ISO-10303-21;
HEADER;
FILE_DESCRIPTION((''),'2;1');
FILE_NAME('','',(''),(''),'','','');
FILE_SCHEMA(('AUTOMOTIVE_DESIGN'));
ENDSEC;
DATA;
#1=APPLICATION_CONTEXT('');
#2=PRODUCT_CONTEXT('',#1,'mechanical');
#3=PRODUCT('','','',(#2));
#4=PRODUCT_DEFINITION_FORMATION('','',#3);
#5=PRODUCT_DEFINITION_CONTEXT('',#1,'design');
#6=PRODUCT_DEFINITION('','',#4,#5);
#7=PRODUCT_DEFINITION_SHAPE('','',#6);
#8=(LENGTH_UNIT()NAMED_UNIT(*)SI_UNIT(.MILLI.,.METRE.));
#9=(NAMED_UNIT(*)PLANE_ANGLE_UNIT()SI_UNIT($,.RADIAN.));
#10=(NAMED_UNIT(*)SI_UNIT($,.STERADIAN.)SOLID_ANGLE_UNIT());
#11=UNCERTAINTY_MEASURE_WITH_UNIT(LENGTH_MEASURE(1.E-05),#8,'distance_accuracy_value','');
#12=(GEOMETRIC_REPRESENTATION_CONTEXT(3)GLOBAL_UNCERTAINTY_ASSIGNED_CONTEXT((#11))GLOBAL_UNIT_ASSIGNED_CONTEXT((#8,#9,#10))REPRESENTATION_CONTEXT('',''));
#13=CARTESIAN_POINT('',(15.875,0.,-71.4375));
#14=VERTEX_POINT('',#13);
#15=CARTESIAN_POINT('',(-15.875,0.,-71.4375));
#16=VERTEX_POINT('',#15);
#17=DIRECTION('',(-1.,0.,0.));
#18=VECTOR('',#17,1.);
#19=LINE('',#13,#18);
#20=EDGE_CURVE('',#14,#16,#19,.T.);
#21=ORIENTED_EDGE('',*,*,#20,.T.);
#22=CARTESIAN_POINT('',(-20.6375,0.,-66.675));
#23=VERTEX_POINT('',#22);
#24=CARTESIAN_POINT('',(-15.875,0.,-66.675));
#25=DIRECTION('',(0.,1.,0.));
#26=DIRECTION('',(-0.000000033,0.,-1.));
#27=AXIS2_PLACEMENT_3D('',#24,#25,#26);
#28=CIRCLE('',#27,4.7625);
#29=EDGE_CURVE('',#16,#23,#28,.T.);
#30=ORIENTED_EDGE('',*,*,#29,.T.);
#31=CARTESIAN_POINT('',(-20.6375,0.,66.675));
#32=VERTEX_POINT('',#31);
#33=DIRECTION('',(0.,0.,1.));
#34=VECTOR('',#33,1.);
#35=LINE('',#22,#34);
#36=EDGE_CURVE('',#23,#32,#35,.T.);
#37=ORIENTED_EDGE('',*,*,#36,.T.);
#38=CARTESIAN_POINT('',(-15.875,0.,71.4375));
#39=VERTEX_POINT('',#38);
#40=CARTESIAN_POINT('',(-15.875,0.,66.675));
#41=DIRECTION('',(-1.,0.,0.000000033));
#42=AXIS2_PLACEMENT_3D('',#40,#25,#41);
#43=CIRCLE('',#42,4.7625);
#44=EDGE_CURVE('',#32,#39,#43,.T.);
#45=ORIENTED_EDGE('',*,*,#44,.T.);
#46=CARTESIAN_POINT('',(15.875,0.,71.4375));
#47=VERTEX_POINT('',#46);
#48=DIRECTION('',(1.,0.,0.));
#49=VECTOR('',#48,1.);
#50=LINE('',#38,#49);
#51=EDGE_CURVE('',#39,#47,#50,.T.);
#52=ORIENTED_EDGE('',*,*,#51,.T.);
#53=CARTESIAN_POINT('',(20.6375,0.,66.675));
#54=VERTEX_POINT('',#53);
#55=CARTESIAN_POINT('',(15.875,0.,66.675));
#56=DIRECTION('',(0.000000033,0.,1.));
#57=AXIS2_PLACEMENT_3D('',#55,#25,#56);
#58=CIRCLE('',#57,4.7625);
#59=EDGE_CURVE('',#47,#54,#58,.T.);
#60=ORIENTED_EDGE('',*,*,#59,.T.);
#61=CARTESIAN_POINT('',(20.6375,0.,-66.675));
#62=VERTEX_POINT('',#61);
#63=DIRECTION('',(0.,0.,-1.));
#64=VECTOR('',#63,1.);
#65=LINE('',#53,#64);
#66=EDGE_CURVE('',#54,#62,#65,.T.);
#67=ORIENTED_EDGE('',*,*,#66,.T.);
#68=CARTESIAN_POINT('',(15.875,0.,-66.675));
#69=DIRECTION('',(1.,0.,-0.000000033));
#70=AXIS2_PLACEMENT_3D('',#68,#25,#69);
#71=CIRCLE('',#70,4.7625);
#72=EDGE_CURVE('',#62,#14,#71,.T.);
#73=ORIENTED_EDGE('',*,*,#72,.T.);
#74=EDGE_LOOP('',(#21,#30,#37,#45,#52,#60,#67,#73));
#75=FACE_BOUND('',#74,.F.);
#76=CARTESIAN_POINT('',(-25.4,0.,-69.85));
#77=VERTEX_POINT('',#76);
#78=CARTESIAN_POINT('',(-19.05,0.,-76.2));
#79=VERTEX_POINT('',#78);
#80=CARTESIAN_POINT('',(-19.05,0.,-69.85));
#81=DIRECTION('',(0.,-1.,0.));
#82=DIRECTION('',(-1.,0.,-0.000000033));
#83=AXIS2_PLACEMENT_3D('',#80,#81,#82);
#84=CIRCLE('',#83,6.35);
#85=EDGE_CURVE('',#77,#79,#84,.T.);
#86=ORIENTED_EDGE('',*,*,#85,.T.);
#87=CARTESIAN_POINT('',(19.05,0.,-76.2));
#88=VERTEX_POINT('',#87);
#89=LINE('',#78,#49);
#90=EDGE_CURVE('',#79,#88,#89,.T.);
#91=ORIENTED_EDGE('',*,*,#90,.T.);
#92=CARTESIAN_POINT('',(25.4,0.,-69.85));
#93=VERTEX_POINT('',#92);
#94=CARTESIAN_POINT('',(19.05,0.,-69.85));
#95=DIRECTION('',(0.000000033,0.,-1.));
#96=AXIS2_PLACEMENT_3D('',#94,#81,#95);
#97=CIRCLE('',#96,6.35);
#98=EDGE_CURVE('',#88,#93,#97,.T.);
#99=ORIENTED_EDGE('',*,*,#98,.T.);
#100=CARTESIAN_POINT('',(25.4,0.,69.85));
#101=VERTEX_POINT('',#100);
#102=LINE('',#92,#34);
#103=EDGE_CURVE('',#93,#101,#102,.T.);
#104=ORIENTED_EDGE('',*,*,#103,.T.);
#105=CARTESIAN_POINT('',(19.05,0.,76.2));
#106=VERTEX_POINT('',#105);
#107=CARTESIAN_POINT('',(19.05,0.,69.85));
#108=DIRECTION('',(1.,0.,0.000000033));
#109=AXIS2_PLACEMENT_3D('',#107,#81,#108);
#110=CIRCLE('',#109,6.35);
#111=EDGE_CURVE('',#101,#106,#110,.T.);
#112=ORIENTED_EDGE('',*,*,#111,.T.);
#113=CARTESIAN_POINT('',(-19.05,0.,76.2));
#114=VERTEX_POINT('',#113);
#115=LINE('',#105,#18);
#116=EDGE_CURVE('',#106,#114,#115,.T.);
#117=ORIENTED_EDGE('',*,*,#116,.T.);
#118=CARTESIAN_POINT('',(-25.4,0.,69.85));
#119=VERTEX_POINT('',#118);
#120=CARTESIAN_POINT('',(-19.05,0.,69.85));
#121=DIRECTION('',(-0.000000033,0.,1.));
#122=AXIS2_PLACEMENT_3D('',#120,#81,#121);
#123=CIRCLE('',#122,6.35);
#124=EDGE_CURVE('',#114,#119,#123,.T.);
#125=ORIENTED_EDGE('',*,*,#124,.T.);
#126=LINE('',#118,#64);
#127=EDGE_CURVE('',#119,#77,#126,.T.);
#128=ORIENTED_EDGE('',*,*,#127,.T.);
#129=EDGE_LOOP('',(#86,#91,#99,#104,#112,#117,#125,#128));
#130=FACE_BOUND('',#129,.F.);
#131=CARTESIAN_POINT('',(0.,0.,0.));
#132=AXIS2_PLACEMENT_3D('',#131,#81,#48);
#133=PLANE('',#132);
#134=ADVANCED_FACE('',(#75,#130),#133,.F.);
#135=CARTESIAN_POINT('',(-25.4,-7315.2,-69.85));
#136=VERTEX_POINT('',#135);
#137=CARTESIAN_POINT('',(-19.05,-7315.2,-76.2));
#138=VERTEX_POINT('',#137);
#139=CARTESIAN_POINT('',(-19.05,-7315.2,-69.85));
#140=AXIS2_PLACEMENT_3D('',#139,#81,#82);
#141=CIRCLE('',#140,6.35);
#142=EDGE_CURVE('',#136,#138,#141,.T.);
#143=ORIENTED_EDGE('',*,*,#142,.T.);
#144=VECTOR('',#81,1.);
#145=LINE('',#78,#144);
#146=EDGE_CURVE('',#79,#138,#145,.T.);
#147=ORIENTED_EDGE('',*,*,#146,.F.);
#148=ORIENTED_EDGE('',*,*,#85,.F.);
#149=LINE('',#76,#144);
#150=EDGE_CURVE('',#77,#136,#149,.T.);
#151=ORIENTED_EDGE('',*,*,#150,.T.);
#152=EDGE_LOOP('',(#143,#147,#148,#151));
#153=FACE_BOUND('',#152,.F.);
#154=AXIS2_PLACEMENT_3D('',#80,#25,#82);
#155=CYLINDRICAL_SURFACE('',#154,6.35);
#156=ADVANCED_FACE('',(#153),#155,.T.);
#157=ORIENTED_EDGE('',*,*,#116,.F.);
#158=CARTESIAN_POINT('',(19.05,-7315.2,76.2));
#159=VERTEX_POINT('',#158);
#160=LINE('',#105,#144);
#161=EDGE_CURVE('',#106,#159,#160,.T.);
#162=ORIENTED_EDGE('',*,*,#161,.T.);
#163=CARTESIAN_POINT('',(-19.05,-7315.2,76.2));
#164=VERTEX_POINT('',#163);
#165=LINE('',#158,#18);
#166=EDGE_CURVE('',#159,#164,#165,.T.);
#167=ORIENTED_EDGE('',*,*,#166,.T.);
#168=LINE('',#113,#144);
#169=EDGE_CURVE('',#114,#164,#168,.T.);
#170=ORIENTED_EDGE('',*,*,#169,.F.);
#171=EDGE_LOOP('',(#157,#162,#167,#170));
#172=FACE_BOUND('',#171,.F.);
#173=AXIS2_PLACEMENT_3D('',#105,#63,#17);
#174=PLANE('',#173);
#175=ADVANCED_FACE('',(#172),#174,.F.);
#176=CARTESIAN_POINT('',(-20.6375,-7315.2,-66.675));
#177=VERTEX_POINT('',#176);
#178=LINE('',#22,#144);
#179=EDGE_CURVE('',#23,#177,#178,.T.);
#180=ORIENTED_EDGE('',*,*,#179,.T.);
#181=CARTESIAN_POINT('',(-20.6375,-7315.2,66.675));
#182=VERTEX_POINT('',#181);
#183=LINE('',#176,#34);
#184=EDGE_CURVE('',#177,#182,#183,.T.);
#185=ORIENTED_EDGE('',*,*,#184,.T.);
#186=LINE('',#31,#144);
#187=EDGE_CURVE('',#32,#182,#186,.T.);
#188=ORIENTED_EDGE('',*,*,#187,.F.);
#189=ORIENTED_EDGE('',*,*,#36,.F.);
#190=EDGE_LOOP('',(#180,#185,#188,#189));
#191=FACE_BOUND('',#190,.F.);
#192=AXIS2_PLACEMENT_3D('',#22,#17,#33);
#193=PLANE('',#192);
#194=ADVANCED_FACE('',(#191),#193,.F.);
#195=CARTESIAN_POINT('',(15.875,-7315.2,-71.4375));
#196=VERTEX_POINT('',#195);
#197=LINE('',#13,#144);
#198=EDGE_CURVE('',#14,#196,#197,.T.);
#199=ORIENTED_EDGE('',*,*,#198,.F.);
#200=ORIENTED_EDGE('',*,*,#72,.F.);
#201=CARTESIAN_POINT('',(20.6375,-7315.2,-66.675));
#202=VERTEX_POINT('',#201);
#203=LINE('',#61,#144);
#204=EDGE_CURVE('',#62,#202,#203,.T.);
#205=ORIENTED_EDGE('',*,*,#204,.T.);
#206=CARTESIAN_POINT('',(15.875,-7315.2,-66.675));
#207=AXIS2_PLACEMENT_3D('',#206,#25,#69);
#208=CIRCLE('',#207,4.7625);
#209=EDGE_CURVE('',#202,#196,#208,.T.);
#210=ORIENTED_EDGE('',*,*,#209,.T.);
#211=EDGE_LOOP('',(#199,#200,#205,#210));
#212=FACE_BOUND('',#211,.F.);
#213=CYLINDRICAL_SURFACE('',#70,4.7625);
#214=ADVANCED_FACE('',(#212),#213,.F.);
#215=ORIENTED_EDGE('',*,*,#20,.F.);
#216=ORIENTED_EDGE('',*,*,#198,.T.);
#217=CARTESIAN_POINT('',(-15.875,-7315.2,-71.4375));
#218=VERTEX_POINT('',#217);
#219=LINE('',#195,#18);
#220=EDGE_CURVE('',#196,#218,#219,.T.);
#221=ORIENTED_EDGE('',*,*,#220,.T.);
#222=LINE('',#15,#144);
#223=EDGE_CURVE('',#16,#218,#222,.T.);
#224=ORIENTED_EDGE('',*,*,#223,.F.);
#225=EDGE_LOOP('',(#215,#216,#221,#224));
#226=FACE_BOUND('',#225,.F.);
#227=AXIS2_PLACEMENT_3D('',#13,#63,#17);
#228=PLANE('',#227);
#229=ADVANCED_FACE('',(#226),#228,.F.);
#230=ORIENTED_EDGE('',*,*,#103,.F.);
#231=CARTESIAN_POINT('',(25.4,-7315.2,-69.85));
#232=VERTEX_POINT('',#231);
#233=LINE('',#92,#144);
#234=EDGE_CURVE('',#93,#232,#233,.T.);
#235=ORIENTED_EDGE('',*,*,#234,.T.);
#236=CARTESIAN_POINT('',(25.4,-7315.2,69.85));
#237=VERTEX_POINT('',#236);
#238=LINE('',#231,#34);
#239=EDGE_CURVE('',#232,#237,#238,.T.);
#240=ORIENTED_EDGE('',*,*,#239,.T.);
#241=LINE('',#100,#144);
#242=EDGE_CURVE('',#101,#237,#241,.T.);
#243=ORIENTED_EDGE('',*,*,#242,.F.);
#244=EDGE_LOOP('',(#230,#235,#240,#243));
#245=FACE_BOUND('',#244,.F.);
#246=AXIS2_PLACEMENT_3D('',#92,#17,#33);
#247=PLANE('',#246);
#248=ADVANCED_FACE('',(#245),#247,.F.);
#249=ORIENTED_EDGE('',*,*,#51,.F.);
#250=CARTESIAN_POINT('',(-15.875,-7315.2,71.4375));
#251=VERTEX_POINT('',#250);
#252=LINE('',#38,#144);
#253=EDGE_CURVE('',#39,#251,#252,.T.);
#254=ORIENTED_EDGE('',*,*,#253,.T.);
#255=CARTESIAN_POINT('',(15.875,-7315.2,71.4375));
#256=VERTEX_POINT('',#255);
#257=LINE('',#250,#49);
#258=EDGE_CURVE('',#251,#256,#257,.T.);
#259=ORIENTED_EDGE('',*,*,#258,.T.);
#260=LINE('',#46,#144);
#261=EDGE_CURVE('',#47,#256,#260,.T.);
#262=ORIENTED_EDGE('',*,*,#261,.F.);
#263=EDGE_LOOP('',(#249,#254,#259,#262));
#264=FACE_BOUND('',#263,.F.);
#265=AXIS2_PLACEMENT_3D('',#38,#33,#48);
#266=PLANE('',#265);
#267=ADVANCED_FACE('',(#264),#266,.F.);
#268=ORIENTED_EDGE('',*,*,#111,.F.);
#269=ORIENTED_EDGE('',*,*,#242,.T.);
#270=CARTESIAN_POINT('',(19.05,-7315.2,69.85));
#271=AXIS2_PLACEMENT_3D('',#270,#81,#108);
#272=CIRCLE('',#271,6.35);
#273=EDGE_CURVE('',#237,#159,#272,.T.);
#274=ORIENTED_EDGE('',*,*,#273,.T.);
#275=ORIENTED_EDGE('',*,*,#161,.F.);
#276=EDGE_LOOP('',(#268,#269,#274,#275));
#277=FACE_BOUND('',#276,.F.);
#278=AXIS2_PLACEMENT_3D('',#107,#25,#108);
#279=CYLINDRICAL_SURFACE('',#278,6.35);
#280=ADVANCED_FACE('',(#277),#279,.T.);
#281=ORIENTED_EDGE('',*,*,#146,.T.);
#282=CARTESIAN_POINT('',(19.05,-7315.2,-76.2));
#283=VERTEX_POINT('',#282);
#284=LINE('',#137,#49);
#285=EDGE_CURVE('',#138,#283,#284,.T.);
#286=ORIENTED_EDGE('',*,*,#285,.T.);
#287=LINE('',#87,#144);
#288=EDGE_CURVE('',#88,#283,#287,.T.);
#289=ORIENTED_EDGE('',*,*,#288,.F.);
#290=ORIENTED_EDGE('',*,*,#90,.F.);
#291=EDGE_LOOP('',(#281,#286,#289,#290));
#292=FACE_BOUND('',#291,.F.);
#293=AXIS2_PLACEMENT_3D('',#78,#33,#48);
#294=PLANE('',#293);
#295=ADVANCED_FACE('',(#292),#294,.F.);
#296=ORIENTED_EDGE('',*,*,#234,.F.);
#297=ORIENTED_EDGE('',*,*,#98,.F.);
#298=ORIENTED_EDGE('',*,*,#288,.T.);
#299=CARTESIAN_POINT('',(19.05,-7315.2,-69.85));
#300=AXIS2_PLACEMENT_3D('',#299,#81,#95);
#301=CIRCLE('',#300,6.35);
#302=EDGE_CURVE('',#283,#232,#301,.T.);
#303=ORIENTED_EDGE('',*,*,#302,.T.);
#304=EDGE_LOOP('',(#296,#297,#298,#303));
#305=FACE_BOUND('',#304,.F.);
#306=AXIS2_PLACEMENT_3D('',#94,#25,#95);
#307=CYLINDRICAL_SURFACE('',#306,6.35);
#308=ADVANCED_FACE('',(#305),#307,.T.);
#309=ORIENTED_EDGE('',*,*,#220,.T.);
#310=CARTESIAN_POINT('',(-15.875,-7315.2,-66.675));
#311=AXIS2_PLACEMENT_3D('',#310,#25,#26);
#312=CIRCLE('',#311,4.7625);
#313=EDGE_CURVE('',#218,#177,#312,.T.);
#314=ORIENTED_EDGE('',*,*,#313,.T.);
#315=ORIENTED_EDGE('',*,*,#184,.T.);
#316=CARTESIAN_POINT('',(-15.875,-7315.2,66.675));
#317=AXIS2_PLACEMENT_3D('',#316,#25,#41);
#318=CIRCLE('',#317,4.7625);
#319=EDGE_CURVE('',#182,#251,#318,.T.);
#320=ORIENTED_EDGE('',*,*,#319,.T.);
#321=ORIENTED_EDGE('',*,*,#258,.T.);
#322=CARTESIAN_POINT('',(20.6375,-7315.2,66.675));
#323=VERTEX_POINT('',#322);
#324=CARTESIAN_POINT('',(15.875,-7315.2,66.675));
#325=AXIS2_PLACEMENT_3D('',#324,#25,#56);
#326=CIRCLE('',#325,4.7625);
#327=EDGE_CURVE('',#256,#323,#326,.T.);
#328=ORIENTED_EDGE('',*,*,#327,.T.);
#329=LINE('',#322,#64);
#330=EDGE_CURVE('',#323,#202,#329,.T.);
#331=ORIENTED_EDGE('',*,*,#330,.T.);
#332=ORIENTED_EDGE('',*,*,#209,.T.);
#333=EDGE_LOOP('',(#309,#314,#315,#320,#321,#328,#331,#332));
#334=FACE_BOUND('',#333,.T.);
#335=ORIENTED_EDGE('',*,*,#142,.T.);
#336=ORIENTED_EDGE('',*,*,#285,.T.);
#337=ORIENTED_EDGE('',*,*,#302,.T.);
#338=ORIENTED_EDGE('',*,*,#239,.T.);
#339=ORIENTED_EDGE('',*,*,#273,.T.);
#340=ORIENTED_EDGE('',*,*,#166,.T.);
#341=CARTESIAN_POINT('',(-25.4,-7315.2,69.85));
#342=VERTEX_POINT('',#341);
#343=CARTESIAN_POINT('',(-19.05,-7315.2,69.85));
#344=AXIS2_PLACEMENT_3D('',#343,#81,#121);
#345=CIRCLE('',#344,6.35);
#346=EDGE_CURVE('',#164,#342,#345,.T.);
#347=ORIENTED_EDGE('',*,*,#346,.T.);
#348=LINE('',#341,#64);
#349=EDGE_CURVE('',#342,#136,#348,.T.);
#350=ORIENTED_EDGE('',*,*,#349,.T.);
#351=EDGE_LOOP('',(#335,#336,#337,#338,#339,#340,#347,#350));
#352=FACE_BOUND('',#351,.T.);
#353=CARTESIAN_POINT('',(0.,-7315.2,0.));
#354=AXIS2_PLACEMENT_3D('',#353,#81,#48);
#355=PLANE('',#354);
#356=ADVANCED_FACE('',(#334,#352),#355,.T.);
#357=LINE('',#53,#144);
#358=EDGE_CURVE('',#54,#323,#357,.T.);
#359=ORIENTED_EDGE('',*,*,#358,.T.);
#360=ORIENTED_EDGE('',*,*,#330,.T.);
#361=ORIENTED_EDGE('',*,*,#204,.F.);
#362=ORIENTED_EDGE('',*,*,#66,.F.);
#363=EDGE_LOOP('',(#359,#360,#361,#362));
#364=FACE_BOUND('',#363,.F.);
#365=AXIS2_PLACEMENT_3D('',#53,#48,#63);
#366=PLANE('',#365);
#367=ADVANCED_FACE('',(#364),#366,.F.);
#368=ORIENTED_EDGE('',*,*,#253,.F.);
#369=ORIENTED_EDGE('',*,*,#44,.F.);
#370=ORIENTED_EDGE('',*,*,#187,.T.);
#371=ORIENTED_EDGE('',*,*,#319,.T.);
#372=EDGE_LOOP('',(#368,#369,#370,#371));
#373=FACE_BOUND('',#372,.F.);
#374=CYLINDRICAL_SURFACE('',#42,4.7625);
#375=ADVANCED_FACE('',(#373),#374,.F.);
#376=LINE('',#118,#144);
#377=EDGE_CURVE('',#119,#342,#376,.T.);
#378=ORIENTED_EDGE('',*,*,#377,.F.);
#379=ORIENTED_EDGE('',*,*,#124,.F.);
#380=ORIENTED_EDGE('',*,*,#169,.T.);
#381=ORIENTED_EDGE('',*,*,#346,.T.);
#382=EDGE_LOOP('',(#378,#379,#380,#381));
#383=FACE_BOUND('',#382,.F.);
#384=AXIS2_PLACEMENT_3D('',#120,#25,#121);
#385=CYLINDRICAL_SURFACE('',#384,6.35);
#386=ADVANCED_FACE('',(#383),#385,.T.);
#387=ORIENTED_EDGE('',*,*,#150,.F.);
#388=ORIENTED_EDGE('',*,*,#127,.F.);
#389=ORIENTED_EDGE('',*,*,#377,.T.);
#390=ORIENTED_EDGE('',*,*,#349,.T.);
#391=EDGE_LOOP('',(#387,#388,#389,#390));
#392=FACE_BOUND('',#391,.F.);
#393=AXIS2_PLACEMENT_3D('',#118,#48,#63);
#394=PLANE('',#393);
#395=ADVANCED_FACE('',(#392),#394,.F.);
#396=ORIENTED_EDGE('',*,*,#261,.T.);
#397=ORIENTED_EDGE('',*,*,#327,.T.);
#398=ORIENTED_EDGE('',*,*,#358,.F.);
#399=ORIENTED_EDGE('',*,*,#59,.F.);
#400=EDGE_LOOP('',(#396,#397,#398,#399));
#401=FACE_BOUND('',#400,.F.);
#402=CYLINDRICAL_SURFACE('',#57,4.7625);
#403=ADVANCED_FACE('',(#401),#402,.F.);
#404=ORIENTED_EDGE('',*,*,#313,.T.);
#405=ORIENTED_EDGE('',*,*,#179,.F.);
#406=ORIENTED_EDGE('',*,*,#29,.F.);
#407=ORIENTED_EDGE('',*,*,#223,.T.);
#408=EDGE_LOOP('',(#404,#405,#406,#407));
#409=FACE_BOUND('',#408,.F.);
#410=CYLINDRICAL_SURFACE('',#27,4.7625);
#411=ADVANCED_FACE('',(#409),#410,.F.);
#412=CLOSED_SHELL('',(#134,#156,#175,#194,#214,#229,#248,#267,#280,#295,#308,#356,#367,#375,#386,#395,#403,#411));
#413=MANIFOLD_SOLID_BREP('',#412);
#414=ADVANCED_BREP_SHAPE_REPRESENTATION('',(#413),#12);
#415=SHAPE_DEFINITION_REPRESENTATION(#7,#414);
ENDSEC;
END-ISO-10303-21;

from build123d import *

# Parameters (mm, degrees)
F1_DEPTH = 7315.2


with BuildPart() as f1:
    # F0 (on Front) → F1 (new body)
    with BuildSketch(Plane.XZ):
        with BuildLine():
            ThreePointArc((25.4, 69.85), (23.540128, 74.340128), (19.05, 76.2))
            Line((19.05, 76.2), (-19.05, 76.2))
            ThreePointArc((-19.05, 76.2), (-23.540128, 74.340128), (-25.4, 69.85))
            Line((-25.4, 69.85), (-25.4, -69.85))
            ThreePointArc((-25.4, -69.85), (-23.540128, -74.340128), (-19.05, -76.2))
            Line((-19.05, -76.2), (19.05, -76.2))
            ThreePointArc((19.05, -76.2), (23.540128, -74.340128), (25.4, -69.85))
            Line((25.4, -69.85), (25.4, 69.85))
        make_face()
        with BuildLine():
            Line((-15.875, 71.4375), (15.875, 71.4375))
            ThreePointArc((15.875, 71.4375), (19.242596, 70.042596), (20.6375, 66.675))
            Line((20.6375, 66.675), (20.6375, -66.675))
            ThreePointArc((20.6375, -66.675), (19.242596, -70.042596), (15.875, -71.4375))
            Line((15.875, -71.4375), (-15.875, -71.4375))
            ThreePointArc((-15.875, -71.4375), (-19.242596, -70.042596), (-20.6375, -66.675))
            Line((-20.6375, -66.675), (-20.6375, 66.675))
            ThreePointArc((-20.6375, 66.675), (-19.242596, 70.042596), (-15.875, 71.4375))
        make_face(mode=Mode.SUBTRACT)
    extrude(amount=F1_DEPTH)


solid = f1.part
